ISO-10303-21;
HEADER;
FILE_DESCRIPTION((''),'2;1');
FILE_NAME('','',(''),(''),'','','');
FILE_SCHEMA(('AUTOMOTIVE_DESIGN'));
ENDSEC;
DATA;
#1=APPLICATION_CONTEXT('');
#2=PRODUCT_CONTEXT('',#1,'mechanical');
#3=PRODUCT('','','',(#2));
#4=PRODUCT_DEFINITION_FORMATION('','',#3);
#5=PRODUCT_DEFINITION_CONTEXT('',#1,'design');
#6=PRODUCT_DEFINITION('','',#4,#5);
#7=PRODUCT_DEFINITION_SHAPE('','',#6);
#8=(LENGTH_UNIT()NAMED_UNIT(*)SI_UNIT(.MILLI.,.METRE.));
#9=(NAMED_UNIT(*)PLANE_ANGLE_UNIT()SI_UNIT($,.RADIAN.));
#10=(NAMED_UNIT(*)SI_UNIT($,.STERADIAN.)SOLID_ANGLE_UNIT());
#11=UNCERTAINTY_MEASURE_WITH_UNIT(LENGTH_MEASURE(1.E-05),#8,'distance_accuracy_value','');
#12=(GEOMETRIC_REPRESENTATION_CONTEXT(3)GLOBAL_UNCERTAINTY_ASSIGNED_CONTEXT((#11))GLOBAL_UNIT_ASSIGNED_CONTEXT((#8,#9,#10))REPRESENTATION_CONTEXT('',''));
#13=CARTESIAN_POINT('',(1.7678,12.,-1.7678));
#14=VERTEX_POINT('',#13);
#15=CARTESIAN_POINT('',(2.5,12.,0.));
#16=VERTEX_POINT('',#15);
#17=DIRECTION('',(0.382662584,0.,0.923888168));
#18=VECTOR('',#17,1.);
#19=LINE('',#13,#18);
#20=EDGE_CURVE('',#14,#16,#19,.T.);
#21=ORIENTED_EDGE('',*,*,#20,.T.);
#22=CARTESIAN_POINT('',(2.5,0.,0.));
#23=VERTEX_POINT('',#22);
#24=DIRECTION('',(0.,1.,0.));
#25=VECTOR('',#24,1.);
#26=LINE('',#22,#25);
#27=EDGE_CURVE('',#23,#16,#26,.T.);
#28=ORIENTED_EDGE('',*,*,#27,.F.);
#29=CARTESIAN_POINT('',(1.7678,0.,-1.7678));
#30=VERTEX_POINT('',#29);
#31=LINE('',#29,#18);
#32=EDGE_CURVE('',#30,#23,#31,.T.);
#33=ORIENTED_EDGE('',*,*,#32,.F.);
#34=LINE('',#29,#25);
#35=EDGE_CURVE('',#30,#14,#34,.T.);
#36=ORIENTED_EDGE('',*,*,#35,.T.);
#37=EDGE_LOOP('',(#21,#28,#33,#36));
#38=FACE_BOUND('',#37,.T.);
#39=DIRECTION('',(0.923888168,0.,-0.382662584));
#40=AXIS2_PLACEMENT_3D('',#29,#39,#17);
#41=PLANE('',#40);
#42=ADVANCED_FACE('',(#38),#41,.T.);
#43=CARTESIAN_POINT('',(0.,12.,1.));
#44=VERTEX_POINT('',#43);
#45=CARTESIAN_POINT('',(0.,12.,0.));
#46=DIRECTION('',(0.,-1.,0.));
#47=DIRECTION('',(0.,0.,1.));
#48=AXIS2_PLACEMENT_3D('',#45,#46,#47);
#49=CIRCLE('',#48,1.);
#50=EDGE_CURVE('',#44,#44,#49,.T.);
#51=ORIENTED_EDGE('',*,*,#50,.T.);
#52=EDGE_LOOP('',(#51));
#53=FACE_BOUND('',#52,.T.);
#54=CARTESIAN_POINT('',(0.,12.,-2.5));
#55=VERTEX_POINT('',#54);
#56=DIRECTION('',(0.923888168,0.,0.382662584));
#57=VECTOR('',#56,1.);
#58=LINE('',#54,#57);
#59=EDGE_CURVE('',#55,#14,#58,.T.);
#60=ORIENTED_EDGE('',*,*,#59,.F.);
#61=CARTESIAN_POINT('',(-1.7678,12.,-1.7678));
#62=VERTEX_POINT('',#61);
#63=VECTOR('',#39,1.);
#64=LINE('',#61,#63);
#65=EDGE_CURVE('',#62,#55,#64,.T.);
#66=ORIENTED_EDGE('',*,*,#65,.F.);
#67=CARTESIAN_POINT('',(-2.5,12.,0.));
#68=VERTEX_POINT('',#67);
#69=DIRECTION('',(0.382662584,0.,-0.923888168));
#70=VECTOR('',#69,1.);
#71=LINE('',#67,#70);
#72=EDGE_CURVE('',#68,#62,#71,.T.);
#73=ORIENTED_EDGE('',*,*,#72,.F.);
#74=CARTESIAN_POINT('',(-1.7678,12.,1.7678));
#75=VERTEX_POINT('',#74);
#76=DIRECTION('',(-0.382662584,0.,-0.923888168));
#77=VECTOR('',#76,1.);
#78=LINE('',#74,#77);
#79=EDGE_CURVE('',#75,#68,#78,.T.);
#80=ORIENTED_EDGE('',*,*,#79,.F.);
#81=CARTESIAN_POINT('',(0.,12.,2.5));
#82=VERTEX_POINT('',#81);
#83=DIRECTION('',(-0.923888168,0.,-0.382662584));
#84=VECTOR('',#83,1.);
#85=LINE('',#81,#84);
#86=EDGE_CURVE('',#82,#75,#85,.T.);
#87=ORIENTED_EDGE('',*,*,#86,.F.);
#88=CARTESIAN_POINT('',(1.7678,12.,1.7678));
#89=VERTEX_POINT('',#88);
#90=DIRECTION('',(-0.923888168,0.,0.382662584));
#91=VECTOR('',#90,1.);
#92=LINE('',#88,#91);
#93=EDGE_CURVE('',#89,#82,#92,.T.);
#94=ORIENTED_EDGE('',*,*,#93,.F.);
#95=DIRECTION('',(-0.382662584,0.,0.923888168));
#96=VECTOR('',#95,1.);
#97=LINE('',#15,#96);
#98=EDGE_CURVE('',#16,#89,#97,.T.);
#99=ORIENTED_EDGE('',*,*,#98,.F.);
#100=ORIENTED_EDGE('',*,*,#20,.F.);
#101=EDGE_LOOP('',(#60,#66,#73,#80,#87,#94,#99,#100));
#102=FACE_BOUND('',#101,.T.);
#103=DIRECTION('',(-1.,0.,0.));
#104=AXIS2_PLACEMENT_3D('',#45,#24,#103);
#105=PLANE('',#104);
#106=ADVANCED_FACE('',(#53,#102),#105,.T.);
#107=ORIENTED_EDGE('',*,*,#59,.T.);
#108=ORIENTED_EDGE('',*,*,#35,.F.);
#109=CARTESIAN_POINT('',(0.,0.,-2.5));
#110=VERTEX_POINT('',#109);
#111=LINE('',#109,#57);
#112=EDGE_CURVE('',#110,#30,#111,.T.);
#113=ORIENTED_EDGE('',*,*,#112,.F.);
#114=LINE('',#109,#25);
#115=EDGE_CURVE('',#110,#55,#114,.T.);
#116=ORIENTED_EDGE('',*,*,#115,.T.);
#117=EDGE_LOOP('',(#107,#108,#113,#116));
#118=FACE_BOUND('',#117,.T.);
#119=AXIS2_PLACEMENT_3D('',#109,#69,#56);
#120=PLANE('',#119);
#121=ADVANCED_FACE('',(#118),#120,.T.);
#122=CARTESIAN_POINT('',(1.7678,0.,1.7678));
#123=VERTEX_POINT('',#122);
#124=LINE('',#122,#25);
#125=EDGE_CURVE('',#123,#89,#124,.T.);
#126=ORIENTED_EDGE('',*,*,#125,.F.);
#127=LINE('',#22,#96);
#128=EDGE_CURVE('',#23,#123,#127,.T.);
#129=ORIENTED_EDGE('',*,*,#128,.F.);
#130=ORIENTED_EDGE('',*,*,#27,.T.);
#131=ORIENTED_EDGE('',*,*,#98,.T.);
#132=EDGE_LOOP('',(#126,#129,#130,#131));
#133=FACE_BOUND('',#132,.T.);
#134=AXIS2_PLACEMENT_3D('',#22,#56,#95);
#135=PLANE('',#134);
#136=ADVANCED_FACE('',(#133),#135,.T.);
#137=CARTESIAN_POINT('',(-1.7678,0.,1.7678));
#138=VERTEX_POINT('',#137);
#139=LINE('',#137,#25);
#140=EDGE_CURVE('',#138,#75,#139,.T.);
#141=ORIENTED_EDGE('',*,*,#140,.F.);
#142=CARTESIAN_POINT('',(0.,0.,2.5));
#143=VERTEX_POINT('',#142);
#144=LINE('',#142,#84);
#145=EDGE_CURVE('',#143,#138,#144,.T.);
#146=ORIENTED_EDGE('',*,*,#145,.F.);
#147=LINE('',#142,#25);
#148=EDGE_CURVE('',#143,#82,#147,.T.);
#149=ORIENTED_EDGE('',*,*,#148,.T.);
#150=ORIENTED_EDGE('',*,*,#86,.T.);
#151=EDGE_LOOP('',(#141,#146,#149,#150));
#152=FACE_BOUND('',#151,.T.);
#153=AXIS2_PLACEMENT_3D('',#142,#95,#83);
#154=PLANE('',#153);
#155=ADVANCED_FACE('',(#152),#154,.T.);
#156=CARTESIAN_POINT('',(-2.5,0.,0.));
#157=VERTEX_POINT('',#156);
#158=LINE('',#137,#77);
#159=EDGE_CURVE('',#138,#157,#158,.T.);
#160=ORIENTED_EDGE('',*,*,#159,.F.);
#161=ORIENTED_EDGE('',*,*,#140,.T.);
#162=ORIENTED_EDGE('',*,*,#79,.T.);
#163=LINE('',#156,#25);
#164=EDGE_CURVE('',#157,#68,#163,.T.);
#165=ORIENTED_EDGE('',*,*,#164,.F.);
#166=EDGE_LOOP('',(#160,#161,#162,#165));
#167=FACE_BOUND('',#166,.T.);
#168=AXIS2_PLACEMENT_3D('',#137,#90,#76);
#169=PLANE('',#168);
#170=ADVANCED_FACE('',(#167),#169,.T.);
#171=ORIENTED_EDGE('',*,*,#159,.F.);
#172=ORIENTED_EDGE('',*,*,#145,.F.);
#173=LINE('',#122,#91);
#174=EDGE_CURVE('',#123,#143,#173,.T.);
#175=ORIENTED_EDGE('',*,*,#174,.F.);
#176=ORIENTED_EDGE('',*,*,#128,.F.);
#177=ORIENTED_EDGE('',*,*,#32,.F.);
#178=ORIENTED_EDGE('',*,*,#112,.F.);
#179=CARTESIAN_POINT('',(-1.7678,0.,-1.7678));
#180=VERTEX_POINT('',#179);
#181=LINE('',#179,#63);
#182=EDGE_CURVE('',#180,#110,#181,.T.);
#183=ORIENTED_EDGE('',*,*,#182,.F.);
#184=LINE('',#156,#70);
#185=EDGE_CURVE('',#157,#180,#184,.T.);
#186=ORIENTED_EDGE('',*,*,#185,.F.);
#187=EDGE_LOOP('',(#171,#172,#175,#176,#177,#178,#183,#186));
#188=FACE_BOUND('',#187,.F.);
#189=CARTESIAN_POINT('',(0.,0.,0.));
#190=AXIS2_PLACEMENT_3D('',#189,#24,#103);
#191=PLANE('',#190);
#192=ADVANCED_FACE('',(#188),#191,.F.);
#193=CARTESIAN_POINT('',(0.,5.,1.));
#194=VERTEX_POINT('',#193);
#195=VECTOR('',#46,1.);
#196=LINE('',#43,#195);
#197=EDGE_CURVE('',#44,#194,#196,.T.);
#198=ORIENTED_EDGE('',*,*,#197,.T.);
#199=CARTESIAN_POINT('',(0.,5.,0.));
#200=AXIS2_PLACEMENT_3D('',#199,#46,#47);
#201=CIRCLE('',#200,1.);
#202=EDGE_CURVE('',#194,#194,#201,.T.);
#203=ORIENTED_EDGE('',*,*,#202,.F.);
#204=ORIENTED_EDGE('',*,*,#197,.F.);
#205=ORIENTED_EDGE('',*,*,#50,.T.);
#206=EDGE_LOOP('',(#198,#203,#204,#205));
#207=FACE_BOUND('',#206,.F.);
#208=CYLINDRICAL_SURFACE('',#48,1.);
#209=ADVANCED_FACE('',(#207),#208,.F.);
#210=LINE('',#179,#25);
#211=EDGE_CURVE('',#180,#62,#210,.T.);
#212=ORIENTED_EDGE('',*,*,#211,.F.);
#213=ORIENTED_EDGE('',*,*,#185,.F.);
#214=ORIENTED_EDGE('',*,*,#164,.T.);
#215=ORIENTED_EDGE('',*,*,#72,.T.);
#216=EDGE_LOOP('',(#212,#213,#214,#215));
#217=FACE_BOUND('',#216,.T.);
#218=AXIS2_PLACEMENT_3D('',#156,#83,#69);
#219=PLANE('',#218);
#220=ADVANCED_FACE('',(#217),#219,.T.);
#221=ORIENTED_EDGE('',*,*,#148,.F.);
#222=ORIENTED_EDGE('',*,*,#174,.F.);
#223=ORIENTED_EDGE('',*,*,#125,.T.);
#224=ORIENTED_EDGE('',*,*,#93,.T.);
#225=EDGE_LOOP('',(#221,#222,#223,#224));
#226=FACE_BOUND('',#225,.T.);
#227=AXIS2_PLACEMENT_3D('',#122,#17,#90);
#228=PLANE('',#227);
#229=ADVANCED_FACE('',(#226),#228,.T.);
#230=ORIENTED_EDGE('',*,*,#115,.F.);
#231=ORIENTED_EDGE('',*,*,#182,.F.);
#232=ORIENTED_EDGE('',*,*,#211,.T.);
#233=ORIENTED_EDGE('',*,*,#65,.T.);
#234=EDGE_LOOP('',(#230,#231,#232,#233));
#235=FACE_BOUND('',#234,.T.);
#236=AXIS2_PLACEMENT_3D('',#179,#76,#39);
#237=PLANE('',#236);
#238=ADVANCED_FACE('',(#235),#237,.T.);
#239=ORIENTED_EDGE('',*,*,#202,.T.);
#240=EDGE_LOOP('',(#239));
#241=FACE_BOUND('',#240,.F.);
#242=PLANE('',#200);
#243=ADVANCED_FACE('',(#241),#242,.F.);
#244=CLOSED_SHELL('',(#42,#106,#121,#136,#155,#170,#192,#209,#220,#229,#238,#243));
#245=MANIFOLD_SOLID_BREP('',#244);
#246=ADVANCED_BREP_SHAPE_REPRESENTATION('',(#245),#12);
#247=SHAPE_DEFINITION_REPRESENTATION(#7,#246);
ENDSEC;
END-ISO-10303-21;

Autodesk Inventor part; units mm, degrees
ref_plane "YZ Plane" through (0, 0, 0) normal (1, 0, 0) x (0, 1, 0)
ref_plane "XZ Plane" through (0, 0, 0) normal (0, 1, 0) x (-1, 0, 0)
ref_plane "XY Plane" through (0, 0, 0) normal (0, 0, 1) x (1, 0, 0)
sketch "Sketch1" plane through (0, 0, 0) normal (0, 1, 0) x (-1, 0, 0)
  circle A0 centre (0, 0) radius 2.5 construction
  line L0 (-2.5, 0) -> (-1.7678, 1.7678)
  line L1 (-1.7678, 1.7678) -> (0, 2.5)
  line L2 (0, 2.5) -> (1.7678, 1.7678)
  line L3 (1.7678, 1.7678) -> (2.5, 0)
  line L4 (2.5, 0) -> (1.7678, -1.7678)
  line L5 (1.7678, -1.7678) -> (0, -2.5)
  line L6 (0, -2.5) -> (-1.7678, -1.7678)
  line L7 (-1.7678, -1.7678) -> (-2.5, 0)
  point P0 (0, -2.5)
  dimension "d0" = 5
extrude "Extrusion1" add sketch "Sketch1" along normal blind 12
sketch "Sketch4" plane through (0, 12, 0) normal (0, 1, 0) x (1, 0, 0)
  line L0 (1.7678, -1.7678) -> (2.5, 0) construction
  line L1 (2.5, 0) -> (1.7678, 1.7678) construction
  line L2 (1.7678, 1.7678) -> (0, 2.5) construction
  line L3 (0, 2.5) -> (-1.7678, 1.7678) construction
  line L4 (-1.7678, 1.7678) -> (-2.5, 0) construction
  line L5 (-2.5, 0) -> (-1.7678, -1.7678) construction
  line L6 (-1.7678, -1.7678) -> (0, -2.5) construction
  line L7 (0, -2.5) -> (1.7678, -1.7678) construction
  circle A0 centre (0, 0) radius 2.5 construction
hole "Hole2" at (0, 12, 0) direction (0, -1, 0) diameter 2 depth 7
properties part number "separator" material "PET Plastic"
